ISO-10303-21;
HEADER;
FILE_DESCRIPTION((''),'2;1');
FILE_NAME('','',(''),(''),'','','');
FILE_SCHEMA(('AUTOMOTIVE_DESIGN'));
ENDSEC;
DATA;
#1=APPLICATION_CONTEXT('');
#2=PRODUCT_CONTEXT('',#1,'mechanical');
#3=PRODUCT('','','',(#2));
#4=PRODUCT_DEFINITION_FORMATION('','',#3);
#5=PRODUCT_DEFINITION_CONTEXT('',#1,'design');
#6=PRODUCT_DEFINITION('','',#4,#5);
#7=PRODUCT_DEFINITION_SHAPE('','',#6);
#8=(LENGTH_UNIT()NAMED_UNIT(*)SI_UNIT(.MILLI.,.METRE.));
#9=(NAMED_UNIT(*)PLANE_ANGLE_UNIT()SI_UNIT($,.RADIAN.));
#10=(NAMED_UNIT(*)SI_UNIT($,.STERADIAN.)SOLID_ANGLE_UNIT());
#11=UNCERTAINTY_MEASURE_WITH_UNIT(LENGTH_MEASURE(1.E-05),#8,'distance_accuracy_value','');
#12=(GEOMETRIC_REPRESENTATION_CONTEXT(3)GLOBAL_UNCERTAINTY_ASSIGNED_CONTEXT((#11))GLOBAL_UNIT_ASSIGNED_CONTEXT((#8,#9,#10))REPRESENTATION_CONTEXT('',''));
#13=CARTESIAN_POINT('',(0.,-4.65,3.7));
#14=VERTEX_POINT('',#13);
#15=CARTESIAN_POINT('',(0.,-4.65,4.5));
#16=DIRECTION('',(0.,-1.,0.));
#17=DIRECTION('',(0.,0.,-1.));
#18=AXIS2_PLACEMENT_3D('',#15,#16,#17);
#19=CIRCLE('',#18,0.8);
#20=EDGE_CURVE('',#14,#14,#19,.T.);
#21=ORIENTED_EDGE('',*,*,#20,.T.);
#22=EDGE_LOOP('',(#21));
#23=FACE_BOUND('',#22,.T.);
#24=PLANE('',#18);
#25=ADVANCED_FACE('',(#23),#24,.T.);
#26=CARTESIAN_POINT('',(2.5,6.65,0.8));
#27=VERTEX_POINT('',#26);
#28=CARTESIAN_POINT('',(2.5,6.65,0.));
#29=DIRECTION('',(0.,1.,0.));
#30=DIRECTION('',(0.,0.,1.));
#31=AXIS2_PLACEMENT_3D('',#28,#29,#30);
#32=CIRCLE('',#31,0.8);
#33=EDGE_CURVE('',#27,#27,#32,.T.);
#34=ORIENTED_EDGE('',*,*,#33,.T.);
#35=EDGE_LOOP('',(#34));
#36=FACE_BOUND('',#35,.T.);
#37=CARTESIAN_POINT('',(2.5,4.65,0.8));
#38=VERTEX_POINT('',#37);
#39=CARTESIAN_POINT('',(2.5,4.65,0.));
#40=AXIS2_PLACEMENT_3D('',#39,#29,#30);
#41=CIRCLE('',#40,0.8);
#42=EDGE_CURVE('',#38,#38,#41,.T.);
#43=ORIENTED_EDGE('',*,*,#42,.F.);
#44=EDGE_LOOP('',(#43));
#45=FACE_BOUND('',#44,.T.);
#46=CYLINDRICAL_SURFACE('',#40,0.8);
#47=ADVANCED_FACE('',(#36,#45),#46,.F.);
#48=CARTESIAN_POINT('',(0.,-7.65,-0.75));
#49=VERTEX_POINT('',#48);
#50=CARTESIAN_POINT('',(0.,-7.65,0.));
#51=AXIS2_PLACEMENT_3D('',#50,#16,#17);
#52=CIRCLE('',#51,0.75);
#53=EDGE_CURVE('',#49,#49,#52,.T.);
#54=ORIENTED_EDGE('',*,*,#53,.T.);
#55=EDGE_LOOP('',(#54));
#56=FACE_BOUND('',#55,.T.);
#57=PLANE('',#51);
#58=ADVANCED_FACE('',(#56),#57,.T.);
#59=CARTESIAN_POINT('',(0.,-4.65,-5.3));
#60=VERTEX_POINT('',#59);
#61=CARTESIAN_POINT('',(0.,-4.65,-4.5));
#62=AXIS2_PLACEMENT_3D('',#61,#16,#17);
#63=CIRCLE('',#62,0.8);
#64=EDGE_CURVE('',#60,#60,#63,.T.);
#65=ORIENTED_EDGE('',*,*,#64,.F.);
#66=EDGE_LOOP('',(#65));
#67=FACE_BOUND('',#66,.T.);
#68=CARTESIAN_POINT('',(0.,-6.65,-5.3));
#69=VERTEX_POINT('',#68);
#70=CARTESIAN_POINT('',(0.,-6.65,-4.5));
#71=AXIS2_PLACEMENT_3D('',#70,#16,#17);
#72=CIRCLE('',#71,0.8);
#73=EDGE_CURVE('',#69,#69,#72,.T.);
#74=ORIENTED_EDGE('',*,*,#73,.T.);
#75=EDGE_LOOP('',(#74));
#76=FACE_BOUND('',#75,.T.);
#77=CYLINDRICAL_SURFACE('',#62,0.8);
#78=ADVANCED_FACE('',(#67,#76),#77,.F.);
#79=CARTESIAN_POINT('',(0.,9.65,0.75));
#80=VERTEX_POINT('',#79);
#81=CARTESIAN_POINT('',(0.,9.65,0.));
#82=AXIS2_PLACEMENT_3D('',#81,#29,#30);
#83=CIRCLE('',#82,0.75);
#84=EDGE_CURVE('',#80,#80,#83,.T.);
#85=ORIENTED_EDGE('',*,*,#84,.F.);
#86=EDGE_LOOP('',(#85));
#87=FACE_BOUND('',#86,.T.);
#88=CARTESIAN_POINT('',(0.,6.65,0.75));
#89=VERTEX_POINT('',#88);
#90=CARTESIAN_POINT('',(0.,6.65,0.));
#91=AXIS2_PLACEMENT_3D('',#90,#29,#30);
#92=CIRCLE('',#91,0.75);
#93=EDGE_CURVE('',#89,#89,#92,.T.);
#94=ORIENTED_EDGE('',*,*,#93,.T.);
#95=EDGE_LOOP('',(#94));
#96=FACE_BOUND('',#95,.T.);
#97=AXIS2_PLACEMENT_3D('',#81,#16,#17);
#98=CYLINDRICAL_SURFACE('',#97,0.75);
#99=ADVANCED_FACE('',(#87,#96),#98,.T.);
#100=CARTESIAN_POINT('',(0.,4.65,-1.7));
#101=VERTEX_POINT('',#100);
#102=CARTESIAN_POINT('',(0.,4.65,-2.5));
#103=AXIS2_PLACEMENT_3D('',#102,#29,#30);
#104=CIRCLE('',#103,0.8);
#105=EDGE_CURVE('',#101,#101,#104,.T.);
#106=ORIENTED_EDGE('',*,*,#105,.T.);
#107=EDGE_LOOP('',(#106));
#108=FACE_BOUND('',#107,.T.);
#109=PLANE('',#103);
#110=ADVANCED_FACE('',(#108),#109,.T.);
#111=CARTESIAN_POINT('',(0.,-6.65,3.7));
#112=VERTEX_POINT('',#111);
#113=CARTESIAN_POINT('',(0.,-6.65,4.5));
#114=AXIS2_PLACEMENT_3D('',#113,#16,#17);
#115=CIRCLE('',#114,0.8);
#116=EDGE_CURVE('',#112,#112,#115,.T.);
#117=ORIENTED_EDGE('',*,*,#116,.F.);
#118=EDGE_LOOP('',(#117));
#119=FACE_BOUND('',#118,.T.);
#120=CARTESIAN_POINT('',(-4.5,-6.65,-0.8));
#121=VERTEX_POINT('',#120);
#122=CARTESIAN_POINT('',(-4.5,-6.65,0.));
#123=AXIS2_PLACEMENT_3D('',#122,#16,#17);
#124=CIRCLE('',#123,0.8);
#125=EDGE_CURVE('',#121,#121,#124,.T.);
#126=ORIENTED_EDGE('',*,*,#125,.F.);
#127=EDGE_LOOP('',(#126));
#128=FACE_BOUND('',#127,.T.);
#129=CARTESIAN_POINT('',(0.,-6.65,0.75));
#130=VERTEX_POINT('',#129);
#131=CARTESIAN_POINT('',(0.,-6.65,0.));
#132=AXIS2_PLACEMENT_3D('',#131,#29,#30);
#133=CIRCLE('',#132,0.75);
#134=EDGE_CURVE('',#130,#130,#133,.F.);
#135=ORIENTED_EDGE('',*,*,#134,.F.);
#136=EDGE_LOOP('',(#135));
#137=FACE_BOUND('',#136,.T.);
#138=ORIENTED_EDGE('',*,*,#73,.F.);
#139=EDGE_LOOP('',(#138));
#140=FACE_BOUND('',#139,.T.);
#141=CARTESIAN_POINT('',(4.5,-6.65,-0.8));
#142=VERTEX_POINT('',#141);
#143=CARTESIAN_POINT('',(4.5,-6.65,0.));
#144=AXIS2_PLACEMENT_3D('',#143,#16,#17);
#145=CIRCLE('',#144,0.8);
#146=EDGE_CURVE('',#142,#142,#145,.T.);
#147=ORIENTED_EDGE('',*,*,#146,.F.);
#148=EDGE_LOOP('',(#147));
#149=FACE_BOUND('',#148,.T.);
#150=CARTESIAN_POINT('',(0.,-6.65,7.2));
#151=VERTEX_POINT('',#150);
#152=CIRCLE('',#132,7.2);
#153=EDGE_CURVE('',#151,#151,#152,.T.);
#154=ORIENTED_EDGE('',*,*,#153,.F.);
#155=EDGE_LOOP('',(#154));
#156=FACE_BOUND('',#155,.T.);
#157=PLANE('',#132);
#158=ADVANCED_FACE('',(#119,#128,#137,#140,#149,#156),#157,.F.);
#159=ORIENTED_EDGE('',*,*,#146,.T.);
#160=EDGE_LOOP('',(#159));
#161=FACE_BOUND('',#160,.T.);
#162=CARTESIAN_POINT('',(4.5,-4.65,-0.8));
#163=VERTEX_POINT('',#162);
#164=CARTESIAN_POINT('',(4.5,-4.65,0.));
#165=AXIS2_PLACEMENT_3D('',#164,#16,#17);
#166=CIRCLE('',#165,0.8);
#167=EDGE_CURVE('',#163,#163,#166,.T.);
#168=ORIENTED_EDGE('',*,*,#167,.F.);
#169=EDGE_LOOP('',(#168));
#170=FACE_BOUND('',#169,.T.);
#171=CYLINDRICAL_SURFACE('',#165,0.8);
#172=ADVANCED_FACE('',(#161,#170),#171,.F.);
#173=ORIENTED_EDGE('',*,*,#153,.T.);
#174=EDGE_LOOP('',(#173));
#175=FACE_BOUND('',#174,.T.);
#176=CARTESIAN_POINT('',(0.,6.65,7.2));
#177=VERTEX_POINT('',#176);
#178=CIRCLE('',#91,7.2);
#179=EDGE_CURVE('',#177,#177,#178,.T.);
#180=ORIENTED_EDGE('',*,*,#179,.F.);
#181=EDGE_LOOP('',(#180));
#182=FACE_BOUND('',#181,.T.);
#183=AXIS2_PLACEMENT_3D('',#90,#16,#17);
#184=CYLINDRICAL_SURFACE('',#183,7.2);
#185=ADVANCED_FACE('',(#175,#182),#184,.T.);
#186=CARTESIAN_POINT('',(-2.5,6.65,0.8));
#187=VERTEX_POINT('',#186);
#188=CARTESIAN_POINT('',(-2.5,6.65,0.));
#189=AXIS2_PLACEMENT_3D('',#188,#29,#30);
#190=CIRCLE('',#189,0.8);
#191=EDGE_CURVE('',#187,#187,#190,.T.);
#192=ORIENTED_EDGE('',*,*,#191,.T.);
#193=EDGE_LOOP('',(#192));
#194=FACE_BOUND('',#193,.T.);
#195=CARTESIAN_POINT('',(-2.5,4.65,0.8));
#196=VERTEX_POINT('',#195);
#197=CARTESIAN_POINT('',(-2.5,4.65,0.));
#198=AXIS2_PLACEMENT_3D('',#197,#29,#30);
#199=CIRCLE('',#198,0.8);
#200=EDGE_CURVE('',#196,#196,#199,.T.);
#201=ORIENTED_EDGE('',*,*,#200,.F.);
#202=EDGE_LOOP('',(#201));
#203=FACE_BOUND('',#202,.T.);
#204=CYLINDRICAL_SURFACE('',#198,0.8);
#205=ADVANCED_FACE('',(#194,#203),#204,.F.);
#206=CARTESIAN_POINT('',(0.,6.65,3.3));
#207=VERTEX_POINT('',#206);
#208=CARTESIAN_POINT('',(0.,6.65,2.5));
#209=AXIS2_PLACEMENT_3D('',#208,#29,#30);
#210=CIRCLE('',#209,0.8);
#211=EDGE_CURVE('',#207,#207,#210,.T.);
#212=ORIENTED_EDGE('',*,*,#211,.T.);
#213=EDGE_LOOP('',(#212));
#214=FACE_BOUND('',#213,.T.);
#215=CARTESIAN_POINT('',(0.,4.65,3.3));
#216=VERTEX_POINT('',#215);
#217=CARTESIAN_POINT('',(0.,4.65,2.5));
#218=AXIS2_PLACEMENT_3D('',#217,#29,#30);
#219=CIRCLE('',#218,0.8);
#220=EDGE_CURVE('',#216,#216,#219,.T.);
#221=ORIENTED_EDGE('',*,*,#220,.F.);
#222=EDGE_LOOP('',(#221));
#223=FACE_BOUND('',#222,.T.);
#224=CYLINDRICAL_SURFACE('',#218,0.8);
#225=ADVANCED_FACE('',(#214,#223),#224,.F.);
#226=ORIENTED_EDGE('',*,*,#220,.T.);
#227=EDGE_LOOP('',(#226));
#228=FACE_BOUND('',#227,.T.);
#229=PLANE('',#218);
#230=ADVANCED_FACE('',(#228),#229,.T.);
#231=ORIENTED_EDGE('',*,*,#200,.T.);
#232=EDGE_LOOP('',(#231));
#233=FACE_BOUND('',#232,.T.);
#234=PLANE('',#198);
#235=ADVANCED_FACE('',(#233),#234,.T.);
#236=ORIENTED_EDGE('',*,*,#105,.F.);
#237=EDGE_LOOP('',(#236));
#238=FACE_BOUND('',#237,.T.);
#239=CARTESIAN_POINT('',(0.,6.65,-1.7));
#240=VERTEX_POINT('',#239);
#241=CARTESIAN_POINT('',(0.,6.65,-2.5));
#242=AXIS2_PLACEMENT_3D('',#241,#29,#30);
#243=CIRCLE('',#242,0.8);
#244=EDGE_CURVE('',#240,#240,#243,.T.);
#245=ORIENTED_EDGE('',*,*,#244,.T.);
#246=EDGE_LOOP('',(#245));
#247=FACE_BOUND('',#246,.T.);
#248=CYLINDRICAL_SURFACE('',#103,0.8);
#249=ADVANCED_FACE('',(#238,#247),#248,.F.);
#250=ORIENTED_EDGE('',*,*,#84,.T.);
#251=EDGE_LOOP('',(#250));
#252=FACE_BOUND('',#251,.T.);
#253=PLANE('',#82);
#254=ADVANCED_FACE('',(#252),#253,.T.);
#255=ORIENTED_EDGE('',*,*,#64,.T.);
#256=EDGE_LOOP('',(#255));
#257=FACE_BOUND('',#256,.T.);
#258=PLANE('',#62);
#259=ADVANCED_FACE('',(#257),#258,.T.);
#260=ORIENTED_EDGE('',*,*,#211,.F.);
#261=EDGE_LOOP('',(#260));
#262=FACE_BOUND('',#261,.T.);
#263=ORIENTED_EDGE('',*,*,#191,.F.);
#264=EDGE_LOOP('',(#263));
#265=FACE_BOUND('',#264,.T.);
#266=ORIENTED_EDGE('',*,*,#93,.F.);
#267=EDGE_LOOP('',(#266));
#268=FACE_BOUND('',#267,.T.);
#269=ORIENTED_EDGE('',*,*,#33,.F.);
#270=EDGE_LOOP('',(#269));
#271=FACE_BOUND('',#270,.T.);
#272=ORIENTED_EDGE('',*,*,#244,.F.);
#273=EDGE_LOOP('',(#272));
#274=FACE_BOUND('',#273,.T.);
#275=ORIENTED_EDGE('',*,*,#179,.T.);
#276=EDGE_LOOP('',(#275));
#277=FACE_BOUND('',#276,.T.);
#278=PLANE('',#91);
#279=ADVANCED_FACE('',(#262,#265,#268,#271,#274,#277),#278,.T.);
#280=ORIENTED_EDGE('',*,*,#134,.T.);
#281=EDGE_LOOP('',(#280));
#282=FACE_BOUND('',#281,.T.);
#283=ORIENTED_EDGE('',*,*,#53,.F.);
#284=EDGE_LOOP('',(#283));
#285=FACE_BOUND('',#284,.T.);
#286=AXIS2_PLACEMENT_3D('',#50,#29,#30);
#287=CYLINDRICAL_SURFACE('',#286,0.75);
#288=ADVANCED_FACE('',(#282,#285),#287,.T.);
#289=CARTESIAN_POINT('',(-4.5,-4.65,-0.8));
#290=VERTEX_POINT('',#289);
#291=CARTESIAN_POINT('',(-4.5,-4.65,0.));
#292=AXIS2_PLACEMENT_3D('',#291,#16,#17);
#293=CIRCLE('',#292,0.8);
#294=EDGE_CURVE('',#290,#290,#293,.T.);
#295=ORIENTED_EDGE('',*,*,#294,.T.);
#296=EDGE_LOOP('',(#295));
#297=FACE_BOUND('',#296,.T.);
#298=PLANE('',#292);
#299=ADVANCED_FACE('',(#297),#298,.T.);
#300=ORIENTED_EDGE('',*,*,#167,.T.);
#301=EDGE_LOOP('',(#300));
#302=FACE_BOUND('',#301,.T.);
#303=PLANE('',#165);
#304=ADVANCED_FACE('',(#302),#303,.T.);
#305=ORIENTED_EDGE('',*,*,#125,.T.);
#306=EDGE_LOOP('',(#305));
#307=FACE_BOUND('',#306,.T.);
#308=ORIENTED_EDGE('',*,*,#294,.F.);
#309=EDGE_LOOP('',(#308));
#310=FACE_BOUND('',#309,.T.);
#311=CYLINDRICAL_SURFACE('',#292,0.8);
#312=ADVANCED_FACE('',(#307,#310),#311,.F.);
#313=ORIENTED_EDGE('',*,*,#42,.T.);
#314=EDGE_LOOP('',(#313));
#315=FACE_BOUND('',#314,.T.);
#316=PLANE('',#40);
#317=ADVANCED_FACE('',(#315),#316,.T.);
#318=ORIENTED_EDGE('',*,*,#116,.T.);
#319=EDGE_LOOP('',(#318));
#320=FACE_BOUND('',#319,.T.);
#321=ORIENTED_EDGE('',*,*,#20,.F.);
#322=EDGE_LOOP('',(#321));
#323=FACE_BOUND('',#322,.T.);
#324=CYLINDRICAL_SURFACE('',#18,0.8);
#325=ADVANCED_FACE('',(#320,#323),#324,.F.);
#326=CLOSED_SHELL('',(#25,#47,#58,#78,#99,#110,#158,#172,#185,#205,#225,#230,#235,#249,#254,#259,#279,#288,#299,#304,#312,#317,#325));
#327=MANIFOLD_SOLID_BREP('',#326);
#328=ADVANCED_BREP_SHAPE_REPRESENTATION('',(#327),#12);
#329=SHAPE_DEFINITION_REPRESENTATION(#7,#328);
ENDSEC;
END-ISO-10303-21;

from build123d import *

# Parameters (mm, degrees)
SKETCH1_R           = 7.2
BOSS_EXTRUDE1_DEPTH = 6.65
SKETCH2_R           = 0.75
BOSS_EXTRUDE2_DEPTH = 1
BOSS_EXTRUDE3_START = 3
SKETCH3_R           = 0.75
BOSS_EXTRUDE3_DEPTH = 3
SKETCH4_R           = 0.8
CUT_EXTRUDE1_DEPTH  = 2
SKETCH5_R           = 0.8
CUT_EXTRUDE2_DEPTH  = 2


with BuildPart() as part:
    # Sketch1 → Boss-Extrude1 (new, symmetric)
    with BuildSketch(Plane(origin=(0, 0, 0), x_dir=(1, 0, 0), z_dir=(0, 1, 0))):
        with Locations(Location((0, 0, 0), (0, 0, 270))):
            Circle(SKETCH1_R)
    extrude(amount=BOSS_EXTRUDE1_DEPTH, both=True)

    # Sketch2 → Boss-Extrude2 (add)
    with BuildSketch(Plane.XZ.offset(6.65)):
        with Locations(Location((0, 0, 0), (0, 0, 90))):
            Circle(SKETCH2_R)
    extrude(amount=BOSS_EXTRUDE2_DEPTH)

    # Sketch3 → Boss-Extrude3 (add)
    with BuildSketch(Plane(origin=(0, 6.65, 0), x_dir=(1, 0, 0), z_dir=(0, 1, 0)).offset(BOSS_EXTRUDE3_START)):
        with Locations(Location((0, 0, 0), (0, 0, 270))):
            Circle(SKETCH3_R)
    extrude(amount=-BOSS_EXTRUDE3_DEPTH)

    # Sketch4 → Cut-Extrude1 (cut)
    with BuildSketch(Plane.XZ.offset(6.65)):
        with Locations(Location((0, 4.5, 0), (0, 0, 270))):
            Circle(SKETCH4_R)
        with Locations(Location((4.5, 0, 0), (0, 0, 270))):
            Circle(SKETCH4_R)
        with Locations(Location((0, -4.5, 0), (0, 0, 270))):
            Circle(SKETCH4_R)
        with Locations(Location((-4.5, 0, 0), (0, 0, 270))):
            Circle(SKETCH4_R)
    extrude(amount=-CUT_EXTRUDE1_DEPTH, mode=Mode.SUBTRACT)

    # Sketch5 → Cut-Extrude2 (cut)
    with BuildSketch(Plane(origin=(0, 6.65, 0), x_dir=(1, 0, 0), z_dir=(0, 1, 0))):
        with Locations(Location((2.5, 0, 0), (0, 0, 270))):
            Circle(SKETCH5_R)
        with Locations(Location((0, -2.5, 0), (0, 0, 270))):
            Circle(SKETCH5_R)
        with Locations(Location((-2.5, 0, 0), (0, 0, 270))):
            Circle(SKETCH5_R)
        with Locations(Location((0, 2.5, 0), (0, 0, 270))):
            Circle(SKETCH5_R)
    extrude(amount=-CUT_EXTRUDE2_DEPTH, mode=Mode.SUBTRACT)


solid = part.part
